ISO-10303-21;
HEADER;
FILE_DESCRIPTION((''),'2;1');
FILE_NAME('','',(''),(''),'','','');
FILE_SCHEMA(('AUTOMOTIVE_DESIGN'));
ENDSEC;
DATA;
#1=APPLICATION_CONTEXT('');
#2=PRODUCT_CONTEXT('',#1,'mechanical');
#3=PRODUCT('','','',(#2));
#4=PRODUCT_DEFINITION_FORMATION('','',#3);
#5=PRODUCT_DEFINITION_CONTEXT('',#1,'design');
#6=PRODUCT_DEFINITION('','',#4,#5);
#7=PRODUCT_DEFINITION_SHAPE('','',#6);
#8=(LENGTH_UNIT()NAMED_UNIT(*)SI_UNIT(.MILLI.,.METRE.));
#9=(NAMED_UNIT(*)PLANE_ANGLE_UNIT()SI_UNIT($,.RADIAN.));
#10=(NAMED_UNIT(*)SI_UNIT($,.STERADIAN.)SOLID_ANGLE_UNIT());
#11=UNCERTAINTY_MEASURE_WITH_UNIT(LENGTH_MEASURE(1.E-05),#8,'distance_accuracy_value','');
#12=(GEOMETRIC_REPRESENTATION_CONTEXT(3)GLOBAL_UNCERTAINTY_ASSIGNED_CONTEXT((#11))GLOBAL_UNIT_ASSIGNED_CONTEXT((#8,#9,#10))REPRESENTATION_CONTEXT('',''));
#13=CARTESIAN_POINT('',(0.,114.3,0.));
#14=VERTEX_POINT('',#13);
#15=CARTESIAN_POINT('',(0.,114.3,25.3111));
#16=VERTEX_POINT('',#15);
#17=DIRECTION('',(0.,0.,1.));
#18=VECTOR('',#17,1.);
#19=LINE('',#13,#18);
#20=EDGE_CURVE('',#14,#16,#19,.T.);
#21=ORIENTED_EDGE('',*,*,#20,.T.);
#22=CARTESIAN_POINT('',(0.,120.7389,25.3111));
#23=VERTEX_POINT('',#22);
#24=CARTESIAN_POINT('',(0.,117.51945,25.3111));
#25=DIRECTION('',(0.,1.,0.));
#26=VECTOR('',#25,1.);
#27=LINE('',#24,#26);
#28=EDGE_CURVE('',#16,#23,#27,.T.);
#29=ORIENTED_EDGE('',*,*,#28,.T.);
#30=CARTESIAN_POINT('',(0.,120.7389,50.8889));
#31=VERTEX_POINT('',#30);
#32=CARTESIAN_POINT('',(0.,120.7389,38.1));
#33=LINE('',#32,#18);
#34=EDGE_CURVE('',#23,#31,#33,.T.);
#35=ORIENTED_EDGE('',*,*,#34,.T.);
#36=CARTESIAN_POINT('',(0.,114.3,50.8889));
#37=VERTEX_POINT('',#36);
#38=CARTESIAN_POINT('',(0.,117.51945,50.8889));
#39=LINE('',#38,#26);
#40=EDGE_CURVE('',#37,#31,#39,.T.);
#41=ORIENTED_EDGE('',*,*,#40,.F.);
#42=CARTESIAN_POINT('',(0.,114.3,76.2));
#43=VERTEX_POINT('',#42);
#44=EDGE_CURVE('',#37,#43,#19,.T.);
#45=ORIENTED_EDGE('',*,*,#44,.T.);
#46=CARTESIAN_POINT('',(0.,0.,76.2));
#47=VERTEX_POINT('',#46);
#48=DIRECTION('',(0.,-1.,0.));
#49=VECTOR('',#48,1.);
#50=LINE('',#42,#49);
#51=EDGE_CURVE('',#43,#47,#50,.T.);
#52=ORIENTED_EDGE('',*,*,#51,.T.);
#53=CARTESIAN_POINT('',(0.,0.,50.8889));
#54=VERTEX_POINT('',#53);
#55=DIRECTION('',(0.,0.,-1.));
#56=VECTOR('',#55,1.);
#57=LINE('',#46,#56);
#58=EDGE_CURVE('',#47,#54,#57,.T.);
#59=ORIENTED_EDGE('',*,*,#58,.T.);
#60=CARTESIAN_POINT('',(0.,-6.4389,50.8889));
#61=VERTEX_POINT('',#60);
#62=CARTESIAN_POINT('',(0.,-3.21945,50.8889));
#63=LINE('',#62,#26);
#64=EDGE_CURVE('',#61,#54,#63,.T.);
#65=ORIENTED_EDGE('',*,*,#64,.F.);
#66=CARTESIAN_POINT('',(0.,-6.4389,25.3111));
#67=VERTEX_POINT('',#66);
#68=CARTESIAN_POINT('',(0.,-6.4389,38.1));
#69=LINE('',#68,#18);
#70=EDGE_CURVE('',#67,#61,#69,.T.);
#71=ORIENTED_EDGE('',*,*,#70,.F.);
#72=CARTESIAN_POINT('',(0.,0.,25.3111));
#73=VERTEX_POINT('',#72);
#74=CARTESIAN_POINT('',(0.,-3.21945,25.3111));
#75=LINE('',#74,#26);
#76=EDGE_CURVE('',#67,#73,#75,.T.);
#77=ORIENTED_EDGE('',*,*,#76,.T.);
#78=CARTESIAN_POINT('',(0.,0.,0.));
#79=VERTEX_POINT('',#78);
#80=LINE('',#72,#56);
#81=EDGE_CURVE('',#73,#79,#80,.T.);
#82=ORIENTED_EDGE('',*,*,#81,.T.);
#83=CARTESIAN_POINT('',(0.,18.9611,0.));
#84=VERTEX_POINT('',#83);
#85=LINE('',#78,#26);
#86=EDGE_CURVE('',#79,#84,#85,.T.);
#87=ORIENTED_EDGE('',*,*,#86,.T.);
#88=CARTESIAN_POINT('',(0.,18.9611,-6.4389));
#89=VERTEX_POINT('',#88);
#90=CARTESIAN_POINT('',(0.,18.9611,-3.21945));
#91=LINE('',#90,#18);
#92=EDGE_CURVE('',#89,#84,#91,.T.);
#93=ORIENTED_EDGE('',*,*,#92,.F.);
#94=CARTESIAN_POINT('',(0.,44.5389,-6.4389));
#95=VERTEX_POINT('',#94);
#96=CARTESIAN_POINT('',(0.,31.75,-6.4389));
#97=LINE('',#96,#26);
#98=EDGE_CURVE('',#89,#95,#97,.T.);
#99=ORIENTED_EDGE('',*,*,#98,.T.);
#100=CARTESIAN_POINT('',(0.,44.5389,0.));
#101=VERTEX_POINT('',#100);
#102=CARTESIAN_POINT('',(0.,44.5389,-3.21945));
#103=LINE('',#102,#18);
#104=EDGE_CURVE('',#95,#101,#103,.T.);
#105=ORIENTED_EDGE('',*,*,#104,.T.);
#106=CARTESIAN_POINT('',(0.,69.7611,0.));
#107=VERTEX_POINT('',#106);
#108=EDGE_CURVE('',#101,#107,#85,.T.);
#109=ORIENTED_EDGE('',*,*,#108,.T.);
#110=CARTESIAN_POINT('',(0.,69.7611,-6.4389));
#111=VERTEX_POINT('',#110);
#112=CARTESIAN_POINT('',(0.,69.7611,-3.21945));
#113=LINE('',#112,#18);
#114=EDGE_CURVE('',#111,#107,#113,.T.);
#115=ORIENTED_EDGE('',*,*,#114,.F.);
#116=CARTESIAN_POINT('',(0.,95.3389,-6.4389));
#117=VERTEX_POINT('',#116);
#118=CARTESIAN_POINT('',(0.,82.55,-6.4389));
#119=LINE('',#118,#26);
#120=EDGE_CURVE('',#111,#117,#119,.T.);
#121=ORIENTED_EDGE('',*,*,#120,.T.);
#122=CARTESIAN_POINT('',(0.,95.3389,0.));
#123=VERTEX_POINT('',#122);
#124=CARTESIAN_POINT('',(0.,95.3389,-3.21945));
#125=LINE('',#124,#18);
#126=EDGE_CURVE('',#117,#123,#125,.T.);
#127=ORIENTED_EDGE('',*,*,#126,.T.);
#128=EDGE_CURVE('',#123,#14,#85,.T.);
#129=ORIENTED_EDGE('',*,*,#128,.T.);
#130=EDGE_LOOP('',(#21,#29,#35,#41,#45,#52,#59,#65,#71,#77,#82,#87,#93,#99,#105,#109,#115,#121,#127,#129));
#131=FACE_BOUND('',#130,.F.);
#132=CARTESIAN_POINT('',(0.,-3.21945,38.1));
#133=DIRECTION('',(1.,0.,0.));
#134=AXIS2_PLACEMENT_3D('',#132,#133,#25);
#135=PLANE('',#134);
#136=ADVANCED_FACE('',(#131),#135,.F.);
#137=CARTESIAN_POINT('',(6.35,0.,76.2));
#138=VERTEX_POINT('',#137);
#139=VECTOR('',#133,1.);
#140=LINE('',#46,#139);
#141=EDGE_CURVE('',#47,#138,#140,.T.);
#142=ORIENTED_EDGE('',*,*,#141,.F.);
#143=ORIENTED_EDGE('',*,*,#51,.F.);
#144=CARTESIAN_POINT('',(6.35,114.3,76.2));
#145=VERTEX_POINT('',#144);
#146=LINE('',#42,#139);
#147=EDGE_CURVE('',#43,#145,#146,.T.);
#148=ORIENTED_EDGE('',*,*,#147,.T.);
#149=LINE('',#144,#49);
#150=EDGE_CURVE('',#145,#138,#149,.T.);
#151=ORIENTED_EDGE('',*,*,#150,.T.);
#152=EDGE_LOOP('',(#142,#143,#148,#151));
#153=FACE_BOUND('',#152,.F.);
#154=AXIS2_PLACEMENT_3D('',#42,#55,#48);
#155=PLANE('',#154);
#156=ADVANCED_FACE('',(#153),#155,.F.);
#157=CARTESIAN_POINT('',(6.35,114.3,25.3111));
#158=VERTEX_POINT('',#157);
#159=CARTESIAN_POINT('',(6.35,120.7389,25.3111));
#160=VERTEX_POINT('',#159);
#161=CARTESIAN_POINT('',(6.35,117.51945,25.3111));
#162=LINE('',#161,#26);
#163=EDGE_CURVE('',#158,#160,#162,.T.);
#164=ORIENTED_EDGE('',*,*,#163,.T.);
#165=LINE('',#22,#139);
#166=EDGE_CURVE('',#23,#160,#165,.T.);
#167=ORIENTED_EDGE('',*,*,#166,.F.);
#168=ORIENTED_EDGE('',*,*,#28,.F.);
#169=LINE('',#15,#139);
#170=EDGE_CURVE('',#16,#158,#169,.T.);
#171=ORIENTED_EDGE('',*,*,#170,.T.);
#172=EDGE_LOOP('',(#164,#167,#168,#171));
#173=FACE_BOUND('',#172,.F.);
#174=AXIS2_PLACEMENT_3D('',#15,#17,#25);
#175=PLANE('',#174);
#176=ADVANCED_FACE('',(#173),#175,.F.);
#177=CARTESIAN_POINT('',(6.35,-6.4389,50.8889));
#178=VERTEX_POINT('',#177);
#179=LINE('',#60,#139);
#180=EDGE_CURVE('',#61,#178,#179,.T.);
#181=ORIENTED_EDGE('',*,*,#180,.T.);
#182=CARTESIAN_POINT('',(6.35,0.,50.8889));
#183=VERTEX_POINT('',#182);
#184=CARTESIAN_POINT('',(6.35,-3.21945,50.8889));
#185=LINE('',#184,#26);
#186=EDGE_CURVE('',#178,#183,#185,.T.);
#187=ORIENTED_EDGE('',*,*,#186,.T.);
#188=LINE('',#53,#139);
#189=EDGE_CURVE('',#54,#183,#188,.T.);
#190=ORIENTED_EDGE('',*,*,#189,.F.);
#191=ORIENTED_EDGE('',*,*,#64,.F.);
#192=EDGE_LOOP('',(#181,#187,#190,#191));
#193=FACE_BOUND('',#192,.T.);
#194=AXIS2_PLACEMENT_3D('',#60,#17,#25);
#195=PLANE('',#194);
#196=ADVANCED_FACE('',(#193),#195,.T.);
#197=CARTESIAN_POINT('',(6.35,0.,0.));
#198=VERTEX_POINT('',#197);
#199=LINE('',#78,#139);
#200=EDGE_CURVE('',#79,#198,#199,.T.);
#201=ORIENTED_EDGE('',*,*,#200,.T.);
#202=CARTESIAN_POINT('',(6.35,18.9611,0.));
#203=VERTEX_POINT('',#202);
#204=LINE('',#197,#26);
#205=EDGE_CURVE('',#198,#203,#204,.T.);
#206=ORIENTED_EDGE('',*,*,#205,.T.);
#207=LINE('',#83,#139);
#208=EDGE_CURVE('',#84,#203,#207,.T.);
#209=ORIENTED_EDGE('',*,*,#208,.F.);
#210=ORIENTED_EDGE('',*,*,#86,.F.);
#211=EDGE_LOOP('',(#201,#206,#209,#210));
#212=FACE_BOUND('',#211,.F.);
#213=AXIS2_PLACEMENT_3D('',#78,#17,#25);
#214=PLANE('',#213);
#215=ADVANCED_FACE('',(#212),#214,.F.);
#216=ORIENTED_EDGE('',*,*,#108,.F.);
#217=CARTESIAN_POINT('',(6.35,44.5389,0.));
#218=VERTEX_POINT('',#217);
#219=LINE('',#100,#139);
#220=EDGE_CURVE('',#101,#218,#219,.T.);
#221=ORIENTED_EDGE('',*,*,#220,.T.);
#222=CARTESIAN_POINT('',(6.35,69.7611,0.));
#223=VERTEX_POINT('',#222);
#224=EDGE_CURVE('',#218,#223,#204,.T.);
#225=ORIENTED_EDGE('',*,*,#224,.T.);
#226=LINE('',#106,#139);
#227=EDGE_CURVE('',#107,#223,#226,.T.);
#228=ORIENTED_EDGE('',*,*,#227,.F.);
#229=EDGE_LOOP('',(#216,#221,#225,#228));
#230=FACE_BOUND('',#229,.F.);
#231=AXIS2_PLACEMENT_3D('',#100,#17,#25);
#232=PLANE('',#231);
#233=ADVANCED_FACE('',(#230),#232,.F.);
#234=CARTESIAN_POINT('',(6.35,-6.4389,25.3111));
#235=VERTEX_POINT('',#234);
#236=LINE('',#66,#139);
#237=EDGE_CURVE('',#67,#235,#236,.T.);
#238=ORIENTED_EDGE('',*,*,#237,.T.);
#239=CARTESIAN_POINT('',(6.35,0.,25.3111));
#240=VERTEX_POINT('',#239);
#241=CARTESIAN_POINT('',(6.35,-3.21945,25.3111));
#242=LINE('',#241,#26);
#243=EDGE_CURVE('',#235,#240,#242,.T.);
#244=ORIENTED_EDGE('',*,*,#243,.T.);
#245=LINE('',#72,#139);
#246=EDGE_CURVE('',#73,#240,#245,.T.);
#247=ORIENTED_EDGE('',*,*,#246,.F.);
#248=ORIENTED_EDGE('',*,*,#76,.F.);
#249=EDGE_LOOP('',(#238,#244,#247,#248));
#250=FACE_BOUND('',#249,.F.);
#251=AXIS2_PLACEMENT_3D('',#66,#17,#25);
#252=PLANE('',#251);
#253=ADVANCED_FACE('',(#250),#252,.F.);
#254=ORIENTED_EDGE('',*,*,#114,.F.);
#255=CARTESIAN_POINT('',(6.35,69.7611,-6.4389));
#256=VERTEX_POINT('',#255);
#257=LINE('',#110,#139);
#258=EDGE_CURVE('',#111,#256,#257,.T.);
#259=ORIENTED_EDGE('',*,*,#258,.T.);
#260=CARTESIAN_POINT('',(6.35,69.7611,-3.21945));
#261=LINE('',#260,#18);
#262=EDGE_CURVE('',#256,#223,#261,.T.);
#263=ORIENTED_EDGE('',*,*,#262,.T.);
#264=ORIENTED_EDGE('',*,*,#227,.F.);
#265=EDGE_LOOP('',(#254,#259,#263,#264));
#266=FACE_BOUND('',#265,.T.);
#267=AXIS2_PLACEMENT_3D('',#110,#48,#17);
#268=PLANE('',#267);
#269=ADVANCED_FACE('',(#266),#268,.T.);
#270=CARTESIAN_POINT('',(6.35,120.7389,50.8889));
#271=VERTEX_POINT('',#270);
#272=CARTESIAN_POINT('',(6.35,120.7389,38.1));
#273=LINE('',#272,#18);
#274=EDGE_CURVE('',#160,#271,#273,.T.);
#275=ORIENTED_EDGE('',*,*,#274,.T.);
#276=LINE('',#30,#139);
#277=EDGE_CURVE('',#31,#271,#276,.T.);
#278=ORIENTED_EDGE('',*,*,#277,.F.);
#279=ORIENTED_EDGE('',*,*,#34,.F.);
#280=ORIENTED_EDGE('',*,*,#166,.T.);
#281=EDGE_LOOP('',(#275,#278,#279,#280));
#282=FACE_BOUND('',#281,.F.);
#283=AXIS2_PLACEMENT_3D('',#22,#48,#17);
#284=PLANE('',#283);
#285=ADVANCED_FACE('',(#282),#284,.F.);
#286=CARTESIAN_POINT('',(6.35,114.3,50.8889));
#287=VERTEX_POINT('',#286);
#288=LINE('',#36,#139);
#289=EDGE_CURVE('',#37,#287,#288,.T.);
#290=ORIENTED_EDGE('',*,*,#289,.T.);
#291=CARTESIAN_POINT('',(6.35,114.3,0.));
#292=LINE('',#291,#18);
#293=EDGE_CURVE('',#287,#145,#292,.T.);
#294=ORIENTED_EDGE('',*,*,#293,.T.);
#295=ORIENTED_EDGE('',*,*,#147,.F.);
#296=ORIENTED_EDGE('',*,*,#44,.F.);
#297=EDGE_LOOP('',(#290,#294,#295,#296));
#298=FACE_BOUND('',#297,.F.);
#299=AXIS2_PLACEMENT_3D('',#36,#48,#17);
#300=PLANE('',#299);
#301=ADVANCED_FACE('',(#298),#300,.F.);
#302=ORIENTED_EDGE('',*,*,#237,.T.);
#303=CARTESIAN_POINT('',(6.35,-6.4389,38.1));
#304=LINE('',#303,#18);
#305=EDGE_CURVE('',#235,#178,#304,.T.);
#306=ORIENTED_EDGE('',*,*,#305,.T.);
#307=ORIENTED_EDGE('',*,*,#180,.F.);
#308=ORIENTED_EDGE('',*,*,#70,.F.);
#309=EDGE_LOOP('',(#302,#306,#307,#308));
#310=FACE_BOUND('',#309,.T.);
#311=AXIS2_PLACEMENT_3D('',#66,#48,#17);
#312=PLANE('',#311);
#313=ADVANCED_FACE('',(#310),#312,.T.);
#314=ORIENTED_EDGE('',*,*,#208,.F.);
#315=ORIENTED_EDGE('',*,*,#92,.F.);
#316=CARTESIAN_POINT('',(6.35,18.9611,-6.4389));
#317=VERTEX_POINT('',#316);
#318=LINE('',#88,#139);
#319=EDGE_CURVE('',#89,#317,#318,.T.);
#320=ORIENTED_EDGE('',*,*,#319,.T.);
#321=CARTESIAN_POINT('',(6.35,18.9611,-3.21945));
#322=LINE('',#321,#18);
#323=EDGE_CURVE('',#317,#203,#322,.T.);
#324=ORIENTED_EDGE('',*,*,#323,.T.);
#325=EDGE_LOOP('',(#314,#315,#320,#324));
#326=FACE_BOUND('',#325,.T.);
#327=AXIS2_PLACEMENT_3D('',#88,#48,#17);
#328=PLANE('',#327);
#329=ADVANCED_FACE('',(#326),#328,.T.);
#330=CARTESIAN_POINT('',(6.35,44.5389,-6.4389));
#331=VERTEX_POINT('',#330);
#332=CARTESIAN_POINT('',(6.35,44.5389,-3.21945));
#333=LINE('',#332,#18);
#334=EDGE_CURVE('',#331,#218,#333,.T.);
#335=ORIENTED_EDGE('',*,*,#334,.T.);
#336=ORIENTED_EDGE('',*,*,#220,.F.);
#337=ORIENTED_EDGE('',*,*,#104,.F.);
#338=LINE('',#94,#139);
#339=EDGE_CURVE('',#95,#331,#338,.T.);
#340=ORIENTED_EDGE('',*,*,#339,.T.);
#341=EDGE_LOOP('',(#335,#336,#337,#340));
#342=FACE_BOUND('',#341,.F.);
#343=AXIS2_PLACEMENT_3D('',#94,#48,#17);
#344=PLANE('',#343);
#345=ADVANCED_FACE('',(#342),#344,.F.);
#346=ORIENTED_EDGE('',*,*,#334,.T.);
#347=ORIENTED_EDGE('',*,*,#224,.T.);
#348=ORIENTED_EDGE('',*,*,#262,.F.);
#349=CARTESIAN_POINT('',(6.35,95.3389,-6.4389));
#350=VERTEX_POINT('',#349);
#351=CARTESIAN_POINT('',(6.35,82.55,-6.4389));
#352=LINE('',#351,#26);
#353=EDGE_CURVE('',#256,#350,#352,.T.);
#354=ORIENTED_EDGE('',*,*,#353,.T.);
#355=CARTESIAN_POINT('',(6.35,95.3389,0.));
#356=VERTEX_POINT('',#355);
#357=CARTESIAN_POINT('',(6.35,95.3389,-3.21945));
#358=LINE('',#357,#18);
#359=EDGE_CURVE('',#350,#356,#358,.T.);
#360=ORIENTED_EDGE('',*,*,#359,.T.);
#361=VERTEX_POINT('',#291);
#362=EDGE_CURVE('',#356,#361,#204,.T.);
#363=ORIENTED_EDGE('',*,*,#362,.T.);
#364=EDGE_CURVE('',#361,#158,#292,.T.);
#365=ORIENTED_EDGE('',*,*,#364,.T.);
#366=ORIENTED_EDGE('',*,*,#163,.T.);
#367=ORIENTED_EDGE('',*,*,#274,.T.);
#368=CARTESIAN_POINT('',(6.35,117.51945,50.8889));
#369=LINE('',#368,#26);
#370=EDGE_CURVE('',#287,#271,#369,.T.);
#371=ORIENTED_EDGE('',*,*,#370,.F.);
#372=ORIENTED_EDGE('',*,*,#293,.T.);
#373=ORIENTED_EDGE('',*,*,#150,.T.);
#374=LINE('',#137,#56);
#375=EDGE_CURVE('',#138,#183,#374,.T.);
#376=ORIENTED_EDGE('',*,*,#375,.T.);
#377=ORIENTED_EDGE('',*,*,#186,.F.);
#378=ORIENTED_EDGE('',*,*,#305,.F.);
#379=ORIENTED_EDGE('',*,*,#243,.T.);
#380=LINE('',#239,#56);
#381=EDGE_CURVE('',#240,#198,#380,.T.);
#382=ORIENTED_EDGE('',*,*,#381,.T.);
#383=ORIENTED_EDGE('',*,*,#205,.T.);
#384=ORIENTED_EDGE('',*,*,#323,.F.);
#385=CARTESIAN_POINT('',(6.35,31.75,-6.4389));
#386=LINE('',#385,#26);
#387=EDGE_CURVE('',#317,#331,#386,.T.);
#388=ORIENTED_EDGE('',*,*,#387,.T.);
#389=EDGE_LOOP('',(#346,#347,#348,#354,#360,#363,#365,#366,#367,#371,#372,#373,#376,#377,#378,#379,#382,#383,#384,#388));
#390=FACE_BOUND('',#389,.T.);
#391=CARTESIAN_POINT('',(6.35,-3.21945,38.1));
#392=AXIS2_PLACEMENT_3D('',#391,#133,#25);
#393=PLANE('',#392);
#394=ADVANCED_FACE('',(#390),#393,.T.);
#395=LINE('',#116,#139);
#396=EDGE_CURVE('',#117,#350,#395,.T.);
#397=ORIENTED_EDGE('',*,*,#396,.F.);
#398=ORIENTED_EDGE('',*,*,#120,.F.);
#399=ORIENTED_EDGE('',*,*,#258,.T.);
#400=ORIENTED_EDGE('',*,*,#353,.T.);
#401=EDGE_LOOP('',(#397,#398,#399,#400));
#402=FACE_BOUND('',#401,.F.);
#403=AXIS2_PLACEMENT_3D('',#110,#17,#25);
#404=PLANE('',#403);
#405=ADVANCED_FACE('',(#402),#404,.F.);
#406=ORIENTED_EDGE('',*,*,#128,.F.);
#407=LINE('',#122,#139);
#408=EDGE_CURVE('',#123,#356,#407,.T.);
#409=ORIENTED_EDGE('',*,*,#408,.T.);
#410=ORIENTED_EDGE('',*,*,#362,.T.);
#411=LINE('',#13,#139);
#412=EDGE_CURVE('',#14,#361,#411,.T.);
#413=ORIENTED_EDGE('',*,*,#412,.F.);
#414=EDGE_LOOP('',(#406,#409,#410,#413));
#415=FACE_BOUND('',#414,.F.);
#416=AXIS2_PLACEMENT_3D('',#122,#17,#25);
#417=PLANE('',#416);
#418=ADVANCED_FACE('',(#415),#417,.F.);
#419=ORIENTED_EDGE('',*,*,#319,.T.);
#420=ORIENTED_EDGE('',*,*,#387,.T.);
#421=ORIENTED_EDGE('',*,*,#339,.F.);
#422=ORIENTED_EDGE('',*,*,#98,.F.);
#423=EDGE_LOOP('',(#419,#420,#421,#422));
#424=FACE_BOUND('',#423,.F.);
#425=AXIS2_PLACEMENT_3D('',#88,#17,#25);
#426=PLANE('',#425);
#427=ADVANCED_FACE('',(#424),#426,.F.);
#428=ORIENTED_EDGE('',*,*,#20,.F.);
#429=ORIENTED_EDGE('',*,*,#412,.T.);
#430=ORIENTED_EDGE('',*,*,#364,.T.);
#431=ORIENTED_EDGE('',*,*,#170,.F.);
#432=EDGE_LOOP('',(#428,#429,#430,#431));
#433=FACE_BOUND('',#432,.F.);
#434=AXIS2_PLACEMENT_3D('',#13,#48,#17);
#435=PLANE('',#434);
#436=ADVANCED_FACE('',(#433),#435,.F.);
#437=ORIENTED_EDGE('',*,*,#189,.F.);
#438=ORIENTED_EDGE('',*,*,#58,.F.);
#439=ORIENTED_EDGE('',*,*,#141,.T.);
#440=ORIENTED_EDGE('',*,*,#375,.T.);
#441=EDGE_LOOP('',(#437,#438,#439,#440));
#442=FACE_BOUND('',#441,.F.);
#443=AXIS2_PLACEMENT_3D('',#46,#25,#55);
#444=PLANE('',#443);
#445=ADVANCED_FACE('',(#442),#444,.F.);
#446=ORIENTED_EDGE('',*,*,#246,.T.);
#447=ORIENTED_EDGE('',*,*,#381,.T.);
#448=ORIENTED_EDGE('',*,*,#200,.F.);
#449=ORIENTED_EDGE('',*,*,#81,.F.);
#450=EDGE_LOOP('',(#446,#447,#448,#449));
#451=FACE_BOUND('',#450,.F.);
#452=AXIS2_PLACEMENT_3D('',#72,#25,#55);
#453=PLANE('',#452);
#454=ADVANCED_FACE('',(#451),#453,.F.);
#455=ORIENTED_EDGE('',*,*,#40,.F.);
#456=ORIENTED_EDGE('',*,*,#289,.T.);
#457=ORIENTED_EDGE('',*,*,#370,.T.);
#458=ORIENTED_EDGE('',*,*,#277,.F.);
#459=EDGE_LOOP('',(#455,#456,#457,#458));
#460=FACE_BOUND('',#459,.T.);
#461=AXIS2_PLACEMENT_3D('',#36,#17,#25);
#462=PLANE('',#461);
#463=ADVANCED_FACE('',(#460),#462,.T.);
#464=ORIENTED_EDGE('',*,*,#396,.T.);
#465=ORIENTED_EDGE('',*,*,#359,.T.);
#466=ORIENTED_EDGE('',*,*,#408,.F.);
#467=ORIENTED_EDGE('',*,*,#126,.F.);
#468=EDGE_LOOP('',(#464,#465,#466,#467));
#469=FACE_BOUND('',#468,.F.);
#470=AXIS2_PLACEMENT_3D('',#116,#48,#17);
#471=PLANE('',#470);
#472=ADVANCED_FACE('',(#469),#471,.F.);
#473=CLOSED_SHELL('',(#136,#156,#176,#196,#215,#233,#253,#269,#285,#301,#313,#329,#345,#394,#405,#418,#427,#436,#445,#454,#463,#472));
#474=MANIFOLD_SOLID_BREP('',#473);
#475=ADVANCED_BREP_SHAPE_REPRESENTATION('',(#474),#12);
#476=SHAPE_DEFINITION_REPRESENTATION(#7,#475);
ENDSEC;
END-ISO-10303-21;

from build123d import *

# Parameters (mm, degrees)
F0_W     = 6.4389
F0_H     = 25.5778
F0_W_2   = 25.5778
F0_H_2   = 6.4389
F1_DEPTH = 6.35


with BuildPart() as f1:
    # F0 (on Right) → F1 (new body)
    with BuildSketch(Plane.YZ):
        with Locations((-3.21945, 38.1)):
            Rectangle(F0_W, F0_H)
        Polygon((0, 25.3111), (0, 0), (18.9611, 0), (44.5389, 0), (69.7611, 0), (95.3389, 0), (114.3, 0), (114.3, 25.3111), (114.3, 50.8889), (114.3, 76.2), (0, 76.2), (0, 50.8889), align=None)
        with Locations((31.75, -3.21945)):
            Rectangle(F0_W_2, F0_H_2)
        with Locations((82.55, -3.21945)):
            Rectangle(F0_W_2, F0_H_2)
        with Locations((117.51945, 38.1)):
            Rectangle(F0_W, F0_H)
    extrude(amount=F1_DEPTH)


solid = f1.part
